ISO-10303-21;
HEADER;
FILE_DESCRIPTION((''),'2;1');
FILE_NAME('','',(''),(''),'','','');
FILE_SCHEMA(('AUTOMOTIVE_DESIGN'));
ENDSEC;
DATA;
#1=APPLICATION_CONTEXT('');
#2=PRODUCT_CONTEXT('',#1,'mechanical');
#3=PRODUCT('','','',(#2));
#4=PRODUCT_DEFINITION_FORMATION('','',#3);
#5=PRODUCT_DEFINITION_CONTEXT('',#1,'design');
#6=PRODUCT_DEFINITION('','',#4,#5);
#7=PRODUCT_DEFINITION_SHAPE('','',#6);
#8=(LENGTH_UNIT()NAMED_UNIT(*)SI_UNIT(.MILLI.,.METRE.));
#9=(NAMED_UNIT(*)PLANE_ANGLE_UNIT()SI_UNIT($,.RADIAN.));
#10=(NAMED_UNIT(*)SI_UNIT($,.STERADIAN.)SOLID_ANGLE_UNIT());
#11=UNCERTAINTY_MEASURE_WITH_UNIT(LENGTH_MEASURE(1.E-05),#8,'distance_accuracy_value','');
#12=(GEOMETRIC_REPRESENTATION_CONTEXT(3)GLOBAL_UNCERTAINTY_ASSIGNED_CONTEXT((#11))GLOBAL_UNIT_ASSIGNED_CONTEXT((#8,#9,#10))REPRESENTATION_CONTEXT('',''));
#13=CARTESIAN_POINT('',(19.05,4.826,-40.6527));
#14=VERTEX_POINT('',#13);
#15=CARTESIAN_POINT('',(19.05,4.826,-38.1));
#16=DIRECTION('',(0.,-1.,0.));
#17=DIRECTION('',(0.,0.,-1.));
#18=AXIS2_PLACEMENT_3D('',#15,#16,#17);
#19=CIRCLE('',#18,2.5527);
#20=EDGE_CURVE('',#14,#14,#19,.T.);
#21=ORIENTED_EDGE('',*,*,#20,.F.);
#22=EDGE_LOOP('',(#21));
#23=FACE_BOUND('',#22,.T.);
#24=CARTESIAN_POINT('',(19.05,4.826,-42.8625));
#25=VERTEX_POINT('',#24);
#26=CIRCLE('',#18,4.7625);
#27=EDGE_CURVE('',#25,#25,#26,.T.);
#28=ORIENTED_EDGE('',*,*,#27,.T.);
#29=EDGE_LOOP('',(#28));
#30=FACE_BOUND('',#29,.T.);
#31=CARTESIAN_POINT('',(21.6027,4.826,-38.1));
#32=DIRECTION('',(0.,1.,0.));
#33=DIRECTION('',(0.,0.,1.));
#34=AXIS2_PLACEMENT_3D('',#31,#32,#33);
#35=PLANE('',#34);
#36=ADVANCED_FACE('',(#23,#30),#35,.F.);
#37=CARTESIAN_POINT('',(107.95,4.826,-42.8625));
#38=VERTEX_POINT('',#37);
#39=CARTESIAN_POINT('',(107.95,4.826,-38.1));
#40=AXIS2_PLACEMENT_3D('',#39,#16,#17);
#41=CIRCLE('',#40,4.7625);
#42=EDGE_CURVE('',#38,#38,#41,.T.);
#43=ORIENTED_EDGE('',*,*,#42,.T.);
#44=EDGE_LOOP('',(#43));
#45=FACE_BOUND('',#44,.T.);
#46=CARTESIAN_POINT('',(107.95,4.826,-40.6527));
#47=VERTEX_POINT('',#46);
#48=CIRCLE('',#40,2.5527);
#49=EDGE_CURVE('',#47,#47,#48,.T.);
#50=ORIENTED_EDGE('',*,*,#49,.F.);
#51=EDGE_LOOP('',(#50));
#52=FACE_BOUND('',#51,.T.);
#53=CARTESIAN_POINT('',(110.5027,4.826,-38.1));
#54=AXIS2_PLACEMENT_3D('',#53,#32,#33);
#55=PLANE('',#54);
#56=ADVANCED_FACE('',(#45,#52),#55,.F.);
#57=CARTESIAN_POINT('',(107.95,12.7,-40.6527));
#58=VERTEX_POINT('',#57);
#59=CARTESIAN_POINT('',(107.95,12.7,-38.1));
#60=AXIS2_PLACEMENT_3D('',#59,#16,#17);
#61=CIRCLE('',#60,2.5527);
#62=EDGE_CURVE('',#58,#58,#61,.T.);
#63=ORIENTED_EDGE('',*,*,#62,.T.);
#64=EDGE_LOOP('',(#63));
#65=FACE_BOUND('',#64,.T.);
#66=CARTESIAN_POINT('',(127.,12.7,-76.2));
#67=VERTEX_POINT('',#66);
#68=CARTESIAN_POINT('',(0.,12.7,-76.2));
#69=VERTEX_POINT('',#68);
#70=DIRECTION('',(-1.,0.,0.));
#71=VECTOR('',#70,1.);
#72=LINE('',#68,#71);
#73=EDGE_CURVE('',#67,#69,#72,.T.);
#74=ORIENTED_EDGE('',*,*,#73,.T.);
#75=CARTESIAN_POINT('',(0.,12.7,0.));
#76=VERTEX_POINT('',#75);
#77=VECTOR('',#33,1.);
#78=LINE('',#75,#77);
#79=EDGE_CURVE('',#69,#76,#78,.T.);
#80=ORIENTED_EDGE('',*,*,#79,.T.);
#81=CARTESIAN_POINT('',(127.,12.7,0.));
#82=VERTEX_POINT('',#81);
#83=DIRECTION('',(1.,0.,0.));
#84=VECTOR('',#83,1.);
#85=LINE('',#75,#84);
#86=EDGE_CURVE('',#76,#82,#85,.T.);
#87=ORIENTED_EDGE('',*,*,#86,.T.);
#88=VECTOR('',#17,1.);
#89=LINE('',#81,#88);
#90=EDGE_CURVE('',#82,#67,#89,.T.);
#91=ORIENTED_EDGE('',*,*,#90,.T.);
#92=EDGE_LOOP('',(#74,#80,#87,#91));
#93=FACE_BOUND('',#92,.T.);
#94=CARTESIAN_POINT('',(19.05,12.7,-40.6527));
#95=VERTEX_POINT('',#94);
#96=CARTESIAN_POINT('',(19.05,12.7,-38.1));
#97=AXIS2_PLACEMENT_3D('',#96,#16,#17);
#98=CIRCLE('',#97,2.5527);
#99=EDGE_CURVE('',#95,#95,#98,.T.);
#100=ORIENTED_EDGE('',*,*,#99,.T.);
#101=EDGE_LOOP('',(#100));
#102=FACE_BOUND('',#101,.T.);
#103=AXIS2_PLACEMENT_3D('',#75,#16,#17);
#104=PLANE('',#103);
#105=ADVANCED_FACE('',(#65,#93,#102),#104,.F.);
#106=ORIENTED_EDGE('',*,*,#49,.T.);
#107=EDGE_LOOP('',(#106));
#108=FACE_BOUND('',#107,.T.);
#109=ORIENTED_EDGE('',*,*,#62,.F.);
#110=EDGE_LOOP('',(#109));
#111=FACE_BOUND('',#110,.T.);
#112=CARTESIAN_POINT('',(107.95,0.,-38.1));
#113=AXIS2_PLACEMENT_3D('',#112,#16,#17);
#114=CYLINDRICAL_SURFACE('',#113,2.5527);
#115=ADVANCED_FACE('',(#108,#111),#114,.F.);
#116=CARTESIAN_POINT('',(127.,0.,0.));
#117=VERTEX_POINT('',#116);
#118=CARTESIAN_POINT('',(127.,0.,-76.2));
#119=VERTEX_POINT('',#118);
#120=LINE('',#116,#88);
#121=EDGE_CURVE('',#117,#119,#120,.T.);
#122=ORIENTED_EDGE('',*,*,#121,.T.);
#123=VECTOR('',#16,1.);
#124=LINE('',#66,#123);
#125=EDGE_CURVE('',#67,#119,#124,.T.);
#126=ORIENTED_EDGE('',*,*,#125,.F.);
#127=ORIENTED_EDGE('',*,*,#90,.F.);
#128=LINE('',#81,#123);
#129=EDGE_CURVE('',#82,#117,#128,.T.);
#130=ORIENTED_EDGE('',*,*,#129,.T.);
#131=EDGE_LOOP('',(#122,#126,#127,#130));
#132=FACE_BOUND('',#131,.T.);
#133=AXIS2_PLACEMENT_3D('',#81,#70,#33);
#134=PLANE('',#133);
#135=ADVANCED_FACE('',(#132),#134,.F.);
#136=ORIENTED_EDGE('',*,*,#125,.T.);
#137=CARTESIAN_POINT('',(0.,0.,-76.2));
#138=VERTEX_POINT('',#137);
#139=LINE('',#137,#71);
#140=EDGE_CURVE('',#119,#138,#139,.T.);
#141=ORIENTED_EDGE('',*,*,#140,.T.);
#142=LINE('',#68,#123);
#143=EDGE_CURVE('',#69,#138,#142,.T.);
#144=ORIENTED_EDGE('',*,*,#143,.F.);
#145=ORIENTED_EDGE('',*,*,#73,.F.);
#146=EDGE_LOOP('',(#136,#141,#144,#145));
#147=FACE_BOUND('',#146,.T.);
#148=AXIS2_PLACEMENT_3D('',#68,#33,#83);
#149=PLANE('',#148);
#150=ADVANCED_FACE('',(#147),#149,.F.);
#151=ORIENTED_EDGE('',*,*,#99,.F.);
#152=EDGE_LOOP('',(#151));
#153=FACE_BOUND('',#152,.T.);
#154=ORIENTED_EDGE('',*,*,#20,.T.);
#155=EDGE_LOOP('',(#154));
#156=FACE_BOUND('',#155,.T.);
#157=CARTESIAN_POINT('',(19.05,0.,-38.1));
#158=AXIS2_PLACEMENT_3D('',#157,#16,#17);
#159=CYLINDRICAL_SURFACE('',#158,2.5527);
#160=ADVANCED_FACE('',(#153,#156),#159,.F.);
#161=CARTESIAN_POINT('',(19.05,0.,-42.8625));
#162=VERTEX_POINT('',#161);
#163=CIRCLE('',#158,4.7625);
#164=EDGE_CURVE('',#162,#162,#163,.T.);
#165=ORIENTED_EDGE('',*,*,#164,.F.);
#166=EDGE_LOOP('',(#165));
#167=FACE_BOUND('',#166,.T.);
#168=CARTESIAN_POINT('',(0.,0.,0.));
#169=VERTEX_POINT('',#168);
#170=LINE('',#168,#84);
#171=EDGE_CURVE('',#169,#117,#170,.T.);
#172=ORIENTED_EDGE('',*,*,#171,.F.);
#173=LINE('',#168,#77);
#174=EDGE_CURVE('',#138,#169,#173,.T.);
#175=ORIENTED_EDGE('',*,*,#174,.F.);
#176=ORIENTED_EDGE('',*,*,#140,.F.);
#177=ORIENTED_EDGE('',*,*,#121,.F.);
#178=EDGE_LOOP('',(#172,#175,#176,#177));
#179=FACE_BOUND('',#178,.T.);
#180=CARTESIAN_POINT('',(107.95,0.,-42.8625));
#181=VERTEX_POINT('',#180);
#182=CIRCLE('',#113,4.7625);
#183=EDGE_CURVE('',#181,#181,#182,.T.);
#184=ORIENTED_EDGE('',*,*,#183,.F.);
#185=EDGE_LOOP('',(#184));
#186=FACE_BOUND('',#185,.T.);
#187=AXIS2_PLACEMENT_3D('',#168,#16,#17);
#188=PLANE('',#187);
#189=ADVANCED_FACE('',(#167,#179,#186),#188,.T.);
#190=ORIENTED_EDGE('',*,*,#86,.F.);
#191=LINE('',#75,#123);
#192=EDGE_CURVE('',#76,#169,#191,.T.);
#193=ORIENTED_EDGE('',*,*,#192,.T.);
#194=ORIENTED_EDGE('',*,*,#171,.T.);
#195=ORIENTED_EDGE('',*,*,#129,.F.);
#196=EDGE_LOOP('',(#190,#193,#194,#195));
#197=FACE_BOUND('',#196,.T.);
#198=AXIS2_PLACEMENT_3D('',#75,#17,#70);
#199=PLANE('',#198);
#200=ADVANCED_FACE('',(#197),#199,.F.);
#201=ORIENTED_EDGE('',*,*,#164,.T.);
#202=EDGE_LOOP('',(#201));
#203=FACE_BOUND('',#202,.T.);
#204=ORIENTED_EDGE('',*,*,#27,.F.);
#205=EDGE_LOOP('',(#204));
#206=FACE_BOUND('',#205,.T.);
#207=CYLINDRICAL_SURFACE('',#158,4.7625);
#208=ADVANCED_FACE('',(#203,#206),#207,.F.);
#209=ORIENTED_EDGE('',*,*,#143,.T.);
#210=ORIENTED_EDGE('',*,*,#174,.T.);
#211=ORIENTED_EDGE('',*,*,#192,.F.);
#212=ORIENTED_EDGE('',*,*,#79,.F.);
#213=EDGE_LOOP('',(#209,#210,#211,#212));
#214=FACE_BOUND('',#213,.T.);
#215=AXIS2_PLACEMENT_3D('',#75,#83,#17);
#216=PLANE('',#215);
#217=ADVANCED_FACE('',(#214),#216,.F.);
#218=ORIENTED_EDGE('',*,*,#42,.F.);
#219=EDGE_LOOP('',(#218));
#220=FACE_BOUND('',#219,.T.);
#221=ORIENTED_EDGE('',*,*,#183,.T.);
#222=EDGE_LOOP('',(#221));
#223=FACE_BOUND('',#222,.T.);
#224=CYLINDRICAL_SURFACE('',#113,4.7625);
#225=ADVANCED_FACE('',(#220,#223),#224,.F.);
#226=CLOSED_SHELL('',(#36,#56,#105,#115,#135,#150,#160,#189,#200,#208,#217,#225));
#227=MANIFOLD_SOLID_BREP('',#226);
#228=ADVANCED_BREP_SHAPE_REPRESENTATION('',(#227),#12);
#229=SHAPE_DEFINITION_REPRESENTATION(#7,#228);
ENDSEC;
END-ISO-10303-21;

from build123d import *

# Parameters (mm, degrees)
SKETCH1_W                                       = 127
SKETCH1_H                                       = 76.2
BOSS_EXTRUDE1_DEPTH                             = 12.7
CBORE_FOR_10_SOCKET_HEAD_CAP_SCREW1_D           = 5.1054
CBORE_FOR_10_SOCKET_HEAD_CAP_SCREW1_CBORE_D     = 9.525
CBORE_FOR_10_SOCKET_HEAD_CAP_SCREW1_CBORE_DEPTH = 4.826


with BuildPart() as part:
    # Sketch1 → Boss-Extrude1 (new body)
    with BuildSketch(Plane(origin=(0, 0, 0), x_dir=(1, 0, 0), z_dir=(0, 1, 0))):
        with Locations((63.5, 38.1)):
            Rectangle(SKETCH1_W, SKETCH1_H)
    extrude(amount=BOSS_EXTRUDE1_DEPTH)

    # CBORE for #10 Socket Head Cap Screw1 (through all)
    with Locations(Plane(origin=(0, 0, 0), x_dir=(-1, 0, 0), z_dir=(0, -1, 0))):
        with Locations((-19.05, 38.1), (-107.95, 38.1)):
            CounterBoreHole(CBORE_FOR_10_SOCKET_HEAD_CAP_SCREW1_D / 2, CBORE_FOR_10_SOCKET_HEAD_CAP_SCREW1_CBORE_D / 2, CBORE_FOR_10_SOCKET_HEAD_CAP_SCREW1_CBORE_DEPTH)


solid = part.part
